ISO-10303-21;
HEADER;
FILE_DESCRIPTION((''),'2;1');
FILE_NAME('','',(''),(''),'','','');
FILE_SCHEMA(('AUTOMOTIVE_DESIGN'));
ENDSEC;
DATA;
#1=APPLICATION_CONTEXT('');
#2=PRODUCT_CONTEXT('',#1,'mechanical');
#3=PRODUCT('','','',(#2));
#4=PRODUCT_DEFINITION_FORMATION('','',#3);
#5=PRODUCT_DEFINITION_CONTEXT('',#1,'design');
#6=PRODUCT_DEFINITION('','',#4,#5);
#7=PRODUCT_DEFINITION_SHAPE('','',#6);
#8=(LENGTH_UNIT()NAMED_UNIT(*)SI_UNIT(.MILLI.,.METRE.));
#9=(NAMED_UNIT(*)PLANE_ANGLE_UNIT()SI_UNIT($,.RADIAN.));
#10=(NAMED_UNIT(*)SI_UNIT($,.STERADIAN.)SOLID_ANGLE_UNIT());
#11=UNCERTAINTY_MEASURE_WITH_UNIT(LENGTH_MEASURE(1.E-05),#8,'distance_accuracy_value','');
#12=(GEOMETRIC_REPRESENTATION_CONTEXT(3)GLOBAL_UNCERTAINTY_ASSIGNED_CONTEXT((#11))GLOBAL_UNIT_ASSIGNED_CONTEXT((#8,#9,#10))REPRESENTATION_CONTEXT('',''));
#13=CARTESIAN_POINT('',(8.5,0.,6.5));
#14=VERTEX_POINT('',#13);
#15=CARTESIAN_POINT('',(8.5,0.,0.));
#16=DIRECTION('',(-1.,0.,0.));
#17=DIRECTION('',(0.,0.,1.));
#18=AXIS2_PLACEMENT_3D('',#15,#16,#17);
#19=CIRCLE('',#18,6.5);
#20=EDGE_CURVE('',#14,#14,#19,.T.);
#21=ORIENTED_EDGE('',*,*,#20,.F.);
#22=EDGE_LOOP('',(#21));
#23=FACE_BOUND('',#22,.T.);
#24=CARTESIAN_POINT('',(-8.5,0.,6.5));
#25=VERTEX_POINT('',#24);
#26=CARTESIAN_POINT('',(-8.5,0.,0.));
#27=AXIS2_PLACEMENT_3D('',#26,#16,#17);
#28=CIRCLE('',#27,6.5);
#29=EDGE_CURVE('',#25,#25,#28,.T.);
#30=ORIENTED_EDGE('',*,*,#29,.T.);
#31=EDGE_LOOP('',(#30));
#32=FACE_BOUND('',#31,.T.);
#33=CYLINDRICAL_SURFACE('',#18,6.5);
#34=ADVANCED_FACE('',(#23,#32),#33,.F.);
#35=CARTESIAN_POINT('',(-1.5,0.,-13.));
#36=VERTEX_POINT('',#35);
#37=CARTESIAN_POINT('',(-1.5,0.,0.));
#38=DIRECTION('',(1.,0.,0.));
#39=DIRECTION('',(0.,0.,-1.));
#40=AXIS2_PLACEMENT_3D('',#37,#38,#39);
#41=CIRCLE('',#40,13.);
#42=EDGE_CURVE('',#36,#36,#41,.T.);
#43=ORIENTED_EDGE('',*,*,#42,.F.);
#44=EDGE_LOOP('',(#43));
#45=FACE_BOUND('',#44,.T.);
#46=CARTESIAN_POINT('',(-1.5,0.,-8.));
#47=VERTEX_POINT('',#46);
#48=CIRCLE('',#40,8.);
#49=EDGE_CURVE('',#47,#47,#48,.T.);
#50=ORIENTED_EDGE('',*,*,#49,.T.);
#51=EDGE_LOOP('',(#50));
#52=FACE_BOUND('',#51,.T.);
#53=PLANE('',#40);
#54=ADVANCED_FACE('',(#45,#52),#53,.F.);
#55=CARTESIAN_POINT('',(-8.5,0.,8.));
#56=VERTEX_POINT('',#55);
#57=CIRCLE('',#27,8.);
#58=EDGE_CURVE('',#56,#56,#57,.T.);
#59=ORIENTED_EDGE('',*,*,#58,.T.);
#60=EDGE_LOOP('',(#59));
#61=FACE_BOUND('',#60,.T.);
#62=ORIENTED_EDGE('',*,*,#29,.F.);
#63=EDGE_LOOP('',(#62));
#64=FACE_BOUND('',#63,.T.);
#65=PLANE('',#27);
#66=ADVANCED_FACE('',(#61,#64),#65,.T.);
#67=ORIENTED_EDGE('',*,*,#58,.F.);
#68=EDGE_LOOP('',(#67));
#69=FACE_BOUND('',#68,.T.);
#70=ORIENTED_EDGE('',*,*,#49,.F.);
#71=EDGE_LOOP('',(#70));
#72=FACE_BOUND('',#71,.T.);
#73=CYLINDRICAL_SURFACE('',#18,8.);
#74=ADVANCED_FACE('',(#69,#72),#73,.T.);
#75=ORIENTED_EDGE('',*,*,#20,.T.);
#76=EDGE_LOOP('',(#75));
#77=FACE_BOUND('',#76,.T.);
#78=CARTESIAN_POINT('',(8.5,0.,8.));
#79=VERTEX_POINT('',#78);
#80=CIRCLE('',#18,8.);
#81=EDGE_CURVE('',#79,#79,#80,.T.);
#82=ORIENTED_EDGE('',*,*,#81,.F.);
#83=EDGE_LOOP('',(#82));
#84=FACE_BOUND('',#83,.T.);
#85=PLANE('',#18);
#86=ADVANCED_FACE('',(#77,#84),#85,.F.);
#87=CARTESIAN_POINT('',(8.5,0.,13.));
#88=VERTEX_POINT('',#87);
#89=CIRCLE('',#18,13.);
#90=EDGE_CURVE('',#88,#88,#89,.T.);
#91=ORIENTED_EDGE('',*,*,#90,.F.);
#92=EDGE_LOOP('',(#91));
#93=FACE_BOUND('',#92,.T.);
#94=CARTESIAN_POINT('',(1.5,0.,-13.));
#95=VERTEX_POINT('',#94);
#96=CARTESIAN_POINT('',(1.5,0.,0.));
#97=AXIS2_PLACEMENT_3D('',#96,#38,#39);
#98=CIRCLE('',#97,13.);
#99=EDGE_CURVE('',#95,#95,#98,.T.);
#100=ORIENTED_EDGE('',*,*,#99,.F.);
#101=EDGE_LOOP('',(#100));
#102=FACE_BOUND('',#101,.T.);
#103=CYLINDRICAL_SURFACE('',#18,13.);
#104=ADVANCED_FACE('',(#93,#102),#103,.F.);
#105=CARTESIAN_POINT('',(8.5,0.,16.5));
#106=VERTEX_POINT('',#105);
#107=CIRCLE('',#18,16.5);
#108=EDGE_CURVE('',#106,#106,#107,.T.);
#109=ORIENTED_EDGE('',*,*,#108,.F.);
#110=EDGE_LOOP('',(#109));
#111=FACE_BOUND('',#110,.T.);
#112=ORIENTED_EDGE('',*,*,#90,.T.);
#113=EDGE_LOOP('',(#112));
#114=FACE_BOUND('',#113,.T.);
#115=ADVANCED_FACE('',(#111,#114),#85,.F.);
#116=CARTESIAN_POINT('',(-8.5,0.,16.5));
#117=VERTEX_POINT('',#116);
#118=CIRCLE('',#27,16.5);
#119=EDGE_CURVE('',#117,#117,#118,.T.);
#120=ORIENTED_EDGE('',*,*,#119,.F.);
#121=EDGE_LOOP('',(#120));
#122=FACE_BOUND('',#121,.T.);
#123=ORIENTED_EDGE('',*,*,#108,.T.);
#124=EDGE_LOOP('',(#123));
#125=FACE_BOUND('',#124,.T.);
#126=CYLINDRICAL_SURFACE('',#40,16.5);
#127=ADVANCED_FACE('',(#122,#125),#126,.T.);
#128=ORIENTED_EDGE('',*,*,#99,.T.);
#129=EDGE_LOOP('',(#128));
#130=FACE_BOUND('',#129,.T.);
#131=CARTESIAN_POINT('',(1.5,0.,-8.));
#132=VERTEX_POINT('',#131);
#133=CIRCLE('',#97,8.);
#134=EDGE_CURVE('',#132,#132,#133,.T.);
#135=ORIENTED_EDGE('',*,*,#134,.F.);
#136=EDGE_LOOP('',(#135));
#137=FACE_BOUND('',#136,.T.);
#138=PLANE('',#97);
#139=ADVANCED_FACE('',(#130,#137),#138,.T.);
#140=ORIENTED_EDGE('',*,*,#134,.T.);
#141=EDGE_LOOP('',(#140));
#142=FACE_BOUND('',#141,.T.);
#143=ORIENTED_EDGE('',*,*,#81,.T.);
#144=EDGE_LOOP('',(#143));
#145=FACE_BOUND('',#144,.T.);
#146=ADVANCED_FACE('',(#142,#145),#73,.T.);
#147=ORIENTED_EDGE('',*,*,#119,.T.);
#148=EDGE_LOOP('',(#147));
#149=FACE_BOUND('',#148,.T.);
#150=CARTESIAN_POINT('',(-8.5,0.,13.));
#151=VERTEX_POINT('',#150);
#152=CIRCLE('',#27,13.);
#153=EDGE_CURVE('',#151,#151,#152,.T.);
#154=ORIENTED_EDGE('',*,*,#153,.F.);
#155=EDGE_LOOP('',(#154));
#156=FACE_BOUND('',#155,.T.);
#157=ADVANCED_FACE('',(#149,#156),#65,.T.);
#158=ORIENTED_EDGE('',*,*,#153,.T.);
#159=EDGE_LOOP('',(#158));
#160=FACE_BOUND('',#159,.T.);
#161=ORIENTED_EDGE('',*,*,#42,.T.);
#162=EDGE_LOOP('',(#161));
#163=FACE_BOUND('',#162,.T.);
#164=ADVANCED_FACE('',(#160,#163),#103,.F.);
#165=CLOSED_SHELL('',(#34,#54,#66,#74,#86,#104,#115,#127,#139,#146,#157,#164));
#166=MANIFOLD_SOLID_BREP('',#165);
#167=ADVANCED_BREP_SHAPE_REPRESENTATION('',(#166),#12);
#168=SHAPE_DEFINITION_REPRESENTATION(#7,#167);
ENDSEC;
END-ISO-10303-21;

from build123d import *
from build123d.topology import SkipClean

# Parameters (mm, degrees)
SALIENTE_EXTRUIR1_DEPTH      = 1.5
SALIENTE_EXTRUIR1_DEPTH_BACK = 1.5
CROQUIS2_R                   = 16.5
SALIENTE_EXTRUIR2_DEPTH      = 7
SALIENTE_EXTRUIR2_DEPTH_BACK = 10
CROQUIS3_R                   = 16.5
CROQUIS3_R_2                 = 13
CROQUIS3_R_3                 = 8
CROQUIS3_R_4                 = 6.5
CROQUIS4_R                   = 6.5
CORTAR_EXTRUIR1_DEPTH        = 7


with BuildPart() as part:
    # Croquis2 → Saliente-Extruir1 (new, two sides: drawn at the far end of the back side and taken through both)
    with BuildSketch(Plane(origin=(0, 0, 0), x_dir=(0, 0, -1), z_dir=(1, 0, 0)).offset(-SALIENTE_EXTRUIR1_DEPTH_BACK)):
        Circle(CROQUIS2_R)
    extrude(amount=SALIENTE_EXTRUIR1_DEPTH + SALIENTE_EXTRUIR1_DEPTH_BACK)

    # Croquis3 → Saliente-Extruir2 (add, two sides: drawn at the far end of the back side and taken through both)
    # profile 1 of 2: a face of its own
    with SkipClean():  # the faces are left unmerged after this step: merging them gives an invalid solid
        with BuildSketch(Plane.ZY.offset(1.5).offset(-SALIENTE_EXTRUIR2_DEPTH_BACK)):
            Circle(CROQUIS3_R)
            Circle(CROQUIS3_R_2, mode=Mode.SUBTRACT)
        # profile 2 of 2: a face of its own
        with BuildSketch(Plane.ZY.offset(1.5).offset(-SALIENTE_EXTRUIR2_DEPTH_BACK)):
            Circle(CROQUIS3_R_3)
            Circle(CROQUIS3_R_4, mode=Mode.SUBTRACT)
        extrude(amount=SALIENTE_EXTRUIR2_DEPTH + SALIENTE_EXTRUIR2_DEPTH_BACK)

    # Croquis4 → Cortar-Extruir1 (cut)
    with SkipClean():  # the faces are left unmerged after this step: merging them gives an invalid solid
        with BuildSketch(Plane.ZY.offset(1.5)):
            Circle(CROQUIS4_R)
        extrude(amount=-CORTAR_EXTRUIR1_DEPTH, mode=Mode.SUBTRACT)


solid = part.part
